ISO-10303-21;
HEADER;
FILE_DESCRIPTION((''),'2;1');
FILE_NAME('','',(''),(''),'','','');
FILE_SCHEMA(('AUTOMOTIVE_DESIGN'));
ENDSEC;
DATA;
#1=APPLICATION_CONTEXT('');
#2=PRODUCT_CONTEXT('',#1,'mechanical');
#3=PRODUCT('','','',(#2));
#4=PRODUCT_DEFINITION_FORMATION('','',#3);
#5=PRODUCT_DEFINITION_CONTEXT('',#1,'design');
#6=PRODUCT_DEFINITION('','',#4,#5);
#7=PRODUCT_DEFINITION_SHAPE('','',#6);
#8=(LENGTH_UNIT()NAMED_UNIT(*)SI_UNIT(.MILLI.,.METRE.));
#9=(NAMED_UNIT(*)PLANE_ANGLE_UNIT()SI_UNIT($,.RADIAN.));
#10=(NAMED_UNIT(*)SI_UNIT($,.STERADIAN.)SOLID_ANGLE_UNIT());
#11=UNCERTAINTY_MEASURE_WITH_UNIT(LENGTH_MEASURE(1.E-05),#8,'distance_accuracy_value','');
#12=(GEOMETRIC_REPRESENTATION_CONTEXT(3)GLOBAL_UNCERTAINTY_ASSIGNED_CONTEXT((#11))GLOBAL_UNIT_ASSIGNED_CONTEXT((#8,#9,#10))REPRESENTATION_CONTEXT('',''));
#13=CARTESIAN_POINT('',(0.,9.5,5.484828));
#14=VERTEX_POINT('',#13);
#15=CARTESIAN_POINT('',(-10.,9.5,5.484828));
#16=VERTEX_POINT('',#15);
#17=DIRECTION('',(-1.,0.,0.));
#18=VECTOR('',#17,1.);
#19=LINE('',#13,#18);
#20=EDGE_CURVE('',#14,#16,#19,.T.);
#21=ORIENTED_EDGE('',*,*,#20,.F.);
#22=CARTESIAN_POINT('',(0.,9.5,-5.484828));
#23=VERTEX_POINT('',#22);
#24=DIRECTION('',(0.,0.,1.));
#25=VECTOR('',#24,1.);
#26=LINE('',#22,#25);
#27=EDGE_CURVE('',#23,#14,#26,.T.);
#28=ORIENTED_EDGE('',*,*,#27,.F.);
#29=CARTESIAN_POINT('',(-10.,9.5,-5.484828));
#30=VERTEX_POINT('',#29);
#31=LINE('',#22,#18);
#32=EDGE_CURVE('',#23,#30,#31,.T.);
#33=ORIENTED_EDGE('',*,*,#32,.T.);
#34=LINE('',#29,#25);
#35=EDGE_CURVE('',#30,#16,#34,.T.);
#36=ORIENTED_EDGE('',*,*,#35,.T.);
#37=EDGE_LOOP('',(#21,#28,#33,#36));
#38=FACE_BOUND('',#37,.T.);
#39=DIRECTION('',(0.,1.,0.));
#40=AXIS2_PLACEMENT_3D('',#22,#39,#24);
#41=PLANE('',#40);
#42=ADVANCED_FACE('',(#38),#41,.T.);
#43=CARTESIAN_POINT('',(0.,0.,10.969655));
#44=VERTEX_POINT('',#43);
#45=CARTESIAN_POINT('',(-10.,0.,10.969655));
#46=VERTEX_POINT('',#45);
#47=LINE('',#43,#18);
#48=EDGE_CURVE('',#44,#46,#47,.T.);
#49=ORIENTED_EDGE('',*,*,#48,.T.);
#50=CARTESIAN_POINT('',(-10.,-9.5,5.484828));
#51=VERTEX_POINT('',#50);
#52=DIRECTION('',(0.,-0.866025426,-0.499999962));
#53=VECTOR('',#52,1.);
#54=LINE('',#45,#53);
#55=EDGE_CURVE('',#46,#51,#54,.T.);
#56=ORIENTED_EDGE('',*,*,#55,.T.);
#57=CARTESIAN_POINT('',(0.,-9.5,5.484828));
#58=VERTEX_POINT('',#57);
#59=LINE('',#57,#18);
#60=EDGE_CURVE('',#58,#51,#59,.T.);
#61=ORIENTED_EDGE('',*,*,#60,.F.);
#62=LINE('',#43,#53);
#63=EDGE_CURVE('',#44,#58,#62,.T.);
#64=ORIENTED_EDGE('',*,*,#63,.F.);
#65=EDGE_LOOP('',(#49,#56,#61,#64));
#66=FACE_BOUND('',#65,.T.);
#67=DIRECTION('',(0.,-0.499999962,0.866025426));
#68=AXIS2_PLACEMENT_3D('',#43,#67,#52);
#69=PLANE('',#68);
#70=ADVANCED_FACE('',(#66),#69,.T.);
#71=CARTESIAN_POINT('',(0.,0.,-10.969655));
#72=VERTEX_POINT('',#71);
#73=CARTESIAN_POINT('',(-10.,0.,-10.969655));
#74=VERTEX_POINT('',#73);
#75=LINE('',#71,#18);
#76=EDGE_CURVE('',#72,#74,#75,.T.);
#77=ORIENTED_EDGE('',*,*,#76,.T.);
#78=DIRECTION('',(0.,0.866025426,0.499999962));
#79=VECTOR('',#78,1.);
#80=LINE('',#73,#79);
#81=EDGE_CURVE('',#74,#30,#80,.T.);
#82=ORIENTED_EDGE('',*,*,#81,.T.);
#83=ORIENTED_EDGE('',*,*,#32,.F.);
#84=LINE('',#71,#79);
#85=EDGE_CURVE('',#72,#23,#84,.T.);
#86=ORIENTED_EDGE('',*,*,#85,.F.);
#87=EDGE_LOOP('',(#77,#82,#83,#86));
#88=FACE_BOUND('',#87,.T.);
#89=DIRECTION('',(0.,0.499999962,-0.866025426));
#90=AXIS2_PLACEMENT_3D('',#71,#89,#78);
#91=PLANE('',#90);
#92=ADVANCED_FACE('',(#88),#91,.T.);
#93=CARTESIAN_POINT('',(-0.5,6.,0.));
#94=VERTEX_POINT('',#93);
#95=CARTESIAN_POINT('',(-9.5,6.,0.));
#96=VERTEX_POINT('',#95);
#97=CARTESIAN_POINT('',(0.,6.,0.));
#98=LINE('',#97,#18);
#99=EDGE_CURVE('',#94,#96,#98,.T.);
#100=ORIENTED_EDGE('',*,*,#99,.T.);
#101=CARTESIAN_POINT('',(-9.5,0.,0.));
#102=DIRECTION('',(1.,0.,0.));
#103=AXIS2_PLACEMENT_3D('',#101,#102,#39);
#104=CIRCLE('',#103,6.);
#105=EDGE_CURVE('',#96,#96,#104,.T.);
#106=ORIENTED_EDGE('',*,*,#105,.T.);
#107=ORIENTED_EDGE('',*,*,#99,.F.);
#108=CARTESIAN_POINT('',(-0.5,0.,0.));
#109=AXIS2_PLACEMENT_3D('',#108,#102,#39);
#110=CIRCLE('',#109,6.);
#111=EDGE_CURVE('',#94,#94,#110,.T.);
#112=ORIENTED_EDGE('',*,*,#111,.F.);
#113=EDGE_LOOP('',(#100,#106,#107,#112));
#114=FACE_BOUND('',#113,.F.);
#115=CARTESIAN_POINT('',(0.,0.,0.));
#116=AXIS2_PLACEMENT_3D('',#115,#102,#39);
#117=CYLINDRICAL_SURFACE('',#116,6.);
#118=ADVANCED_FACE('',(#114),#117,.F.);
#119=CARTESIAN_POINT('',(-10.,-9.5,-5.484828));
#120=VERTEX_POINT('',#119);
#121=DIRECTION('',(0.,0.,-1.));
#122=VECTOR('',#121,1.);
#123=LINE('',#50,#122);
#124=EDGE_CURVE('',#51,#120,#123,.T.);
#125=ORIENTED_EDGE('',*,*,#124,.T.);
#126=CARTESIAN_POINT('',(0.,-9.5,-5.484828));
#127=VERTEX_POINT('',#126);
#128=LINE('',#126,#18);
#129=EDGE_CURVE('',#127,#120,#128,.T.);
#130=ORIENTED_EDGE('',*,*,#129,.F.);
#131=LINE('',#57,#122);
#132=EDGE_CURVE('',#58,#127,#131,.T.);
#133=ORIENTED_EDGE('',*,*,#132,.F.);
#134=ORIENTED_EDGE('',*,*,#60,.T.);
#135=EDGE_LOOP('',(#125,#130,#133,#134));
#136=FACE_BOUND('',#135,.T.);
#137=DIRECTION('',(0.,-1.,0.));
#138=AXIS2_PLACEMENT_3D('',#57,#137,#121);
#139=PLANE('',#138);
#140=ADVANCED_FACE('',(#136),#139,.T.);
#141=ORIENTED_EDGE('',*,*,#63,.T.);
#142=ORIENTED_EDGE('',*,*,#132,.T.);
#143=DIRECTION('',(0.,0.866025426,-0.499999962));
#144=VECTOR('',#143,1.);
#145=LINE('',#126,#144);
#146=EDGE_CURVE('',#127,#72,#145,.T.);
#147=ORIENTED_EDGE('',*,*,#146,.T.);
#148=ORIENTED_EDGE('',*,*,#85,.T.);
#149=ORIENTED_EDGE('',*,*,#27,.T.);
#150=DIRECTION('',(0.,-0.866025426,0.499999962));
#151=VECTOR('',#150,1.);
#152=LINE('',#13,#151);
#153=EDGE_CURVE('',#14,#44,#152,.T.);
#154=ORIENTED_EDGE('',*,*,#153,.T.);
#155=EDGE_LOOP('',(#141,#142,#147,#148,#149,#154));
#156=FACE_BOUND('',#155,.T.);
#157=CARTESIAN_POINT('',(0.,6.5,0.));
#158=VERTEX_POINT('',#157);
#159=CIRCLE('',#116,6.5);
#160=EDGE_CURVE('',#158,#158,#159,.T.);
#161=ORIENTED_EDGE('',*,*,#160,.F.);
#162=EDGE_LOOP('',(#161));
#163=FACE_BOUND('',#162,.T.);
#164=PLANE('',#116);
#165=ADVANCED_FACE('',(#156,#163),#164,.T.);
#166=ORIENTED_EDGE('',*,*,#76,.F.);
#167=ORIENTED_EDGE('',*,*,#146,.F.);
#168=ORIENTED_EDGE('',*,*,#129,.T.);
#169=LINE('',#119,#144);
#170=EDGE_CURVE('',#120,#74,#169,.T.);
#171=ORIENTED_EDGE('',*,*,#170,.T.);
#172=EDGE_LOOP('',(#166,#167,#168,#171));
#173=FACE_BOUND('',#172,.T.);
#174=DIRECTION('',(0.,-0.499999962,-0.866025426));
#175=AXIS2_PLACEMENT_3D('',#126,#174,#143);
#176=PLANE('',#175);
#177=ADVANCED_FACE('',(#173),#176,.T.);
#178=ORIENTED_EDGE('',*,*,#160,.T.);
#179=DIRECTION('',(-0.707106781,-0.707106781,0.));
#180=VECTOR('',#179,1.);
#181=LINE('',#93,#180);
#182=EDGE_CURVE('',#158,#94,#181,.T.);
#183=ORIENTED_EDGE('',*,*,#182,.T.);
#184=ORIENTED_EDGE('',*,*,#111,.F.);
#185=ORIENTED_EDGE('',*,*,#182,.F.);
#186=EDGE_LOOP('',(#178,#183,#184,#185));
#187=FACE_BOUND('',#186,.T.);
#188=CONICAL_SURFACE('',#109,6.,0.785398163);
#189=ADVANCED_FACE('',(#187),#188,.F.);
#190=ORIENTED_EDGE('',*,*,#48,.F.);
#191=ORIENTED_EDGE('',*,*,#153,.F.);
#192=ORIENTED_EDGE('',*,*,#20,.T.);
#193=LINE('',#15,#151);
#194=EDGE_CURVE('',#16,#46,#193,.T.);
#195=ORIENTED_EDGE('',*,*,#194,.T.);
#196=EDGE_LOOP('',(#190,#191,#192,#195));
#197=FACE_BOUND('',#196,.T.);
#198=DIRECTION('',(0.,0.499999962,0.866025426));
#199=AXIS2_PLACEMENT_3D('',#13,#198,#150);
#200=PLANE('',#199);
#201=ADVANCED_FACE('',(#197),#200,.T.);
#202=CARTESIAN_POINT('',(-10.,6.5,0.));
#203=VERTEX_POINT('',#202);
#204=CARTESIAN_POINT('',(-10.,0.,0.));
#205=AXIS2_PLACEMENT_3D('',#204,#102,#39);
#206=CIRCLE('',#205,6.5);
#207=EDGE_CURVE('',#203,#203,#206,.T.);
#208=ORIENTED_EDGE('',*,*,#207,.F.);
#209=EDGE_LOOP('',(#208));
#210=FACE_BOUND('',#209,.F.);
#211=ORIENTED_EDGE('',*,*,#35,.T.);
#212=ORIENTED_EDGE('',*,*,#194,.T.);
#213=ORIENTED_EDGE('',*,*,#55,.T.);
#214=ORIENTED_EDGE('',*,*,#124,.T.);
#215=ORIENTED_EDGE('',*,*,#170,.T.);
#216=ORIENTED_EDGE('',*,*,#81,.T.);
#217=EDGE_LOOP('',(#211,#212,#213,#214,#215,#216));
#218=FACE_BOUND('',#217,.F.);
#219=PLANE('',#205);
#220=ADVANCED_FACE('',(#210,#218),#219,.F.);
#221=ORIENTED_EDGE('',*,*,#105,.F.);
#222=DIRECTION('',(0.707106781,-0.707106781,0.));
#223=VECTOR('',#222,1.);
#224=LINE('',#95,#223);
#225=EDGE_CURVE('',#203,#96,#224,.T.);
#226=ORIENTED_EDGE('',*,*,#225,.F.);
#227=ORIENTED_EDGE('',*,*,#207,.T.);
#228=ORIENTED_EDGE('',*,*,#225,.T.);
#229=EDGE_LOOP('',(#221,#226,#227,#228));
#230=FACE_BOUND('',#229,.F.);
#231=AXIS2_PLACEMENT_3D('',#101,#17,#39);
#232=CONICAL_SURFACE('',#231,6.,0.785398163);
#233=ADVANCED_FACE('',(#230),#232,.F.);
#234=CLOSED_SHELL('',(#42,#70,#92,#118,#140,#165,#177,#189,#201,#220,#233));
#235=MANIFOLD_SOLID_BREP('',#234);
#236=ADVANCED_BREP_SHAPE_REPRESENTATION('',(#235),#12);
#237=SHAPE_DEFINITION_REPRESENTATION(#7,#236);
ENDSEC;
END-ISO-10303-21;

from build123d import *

# Parameters (mm, degrees)
F1_DEPTH = 10
F2_R     = 6
F3_DEPTH = 10.001
F4_SIZE  = 0.5


with BuildPart() as f1:
    # F0 (on Right) → F1 (new body)
    with BuildSketch(Plane.YZ):
        Polygon((0, -10.969655), (9.5, -5.484828), (9.5, 5.484828), (0, 10.969655), (-9.5, 5.484828), (-9.5, -5.484828), align=None)
    extrude(amount=-F1_DEPTH)

    # F2 (on face) → F3 (cut, through all)
    with BuildSketch(Plane.YZ):
        Circle(F2_R)
    extrude(amount=-F3_DEPTH, mode=Mode.SUBTRACT)

    # F4
    f4_edges = [f1.edges().sort_by_distance(p)[0] for p in [
        (0, -6, 0),
        (-5, 6, 0),
        (-10, -6, 0),
    ]]
    chamfer(f4_edges, length=F4_SIZE)


solid = f1.part
